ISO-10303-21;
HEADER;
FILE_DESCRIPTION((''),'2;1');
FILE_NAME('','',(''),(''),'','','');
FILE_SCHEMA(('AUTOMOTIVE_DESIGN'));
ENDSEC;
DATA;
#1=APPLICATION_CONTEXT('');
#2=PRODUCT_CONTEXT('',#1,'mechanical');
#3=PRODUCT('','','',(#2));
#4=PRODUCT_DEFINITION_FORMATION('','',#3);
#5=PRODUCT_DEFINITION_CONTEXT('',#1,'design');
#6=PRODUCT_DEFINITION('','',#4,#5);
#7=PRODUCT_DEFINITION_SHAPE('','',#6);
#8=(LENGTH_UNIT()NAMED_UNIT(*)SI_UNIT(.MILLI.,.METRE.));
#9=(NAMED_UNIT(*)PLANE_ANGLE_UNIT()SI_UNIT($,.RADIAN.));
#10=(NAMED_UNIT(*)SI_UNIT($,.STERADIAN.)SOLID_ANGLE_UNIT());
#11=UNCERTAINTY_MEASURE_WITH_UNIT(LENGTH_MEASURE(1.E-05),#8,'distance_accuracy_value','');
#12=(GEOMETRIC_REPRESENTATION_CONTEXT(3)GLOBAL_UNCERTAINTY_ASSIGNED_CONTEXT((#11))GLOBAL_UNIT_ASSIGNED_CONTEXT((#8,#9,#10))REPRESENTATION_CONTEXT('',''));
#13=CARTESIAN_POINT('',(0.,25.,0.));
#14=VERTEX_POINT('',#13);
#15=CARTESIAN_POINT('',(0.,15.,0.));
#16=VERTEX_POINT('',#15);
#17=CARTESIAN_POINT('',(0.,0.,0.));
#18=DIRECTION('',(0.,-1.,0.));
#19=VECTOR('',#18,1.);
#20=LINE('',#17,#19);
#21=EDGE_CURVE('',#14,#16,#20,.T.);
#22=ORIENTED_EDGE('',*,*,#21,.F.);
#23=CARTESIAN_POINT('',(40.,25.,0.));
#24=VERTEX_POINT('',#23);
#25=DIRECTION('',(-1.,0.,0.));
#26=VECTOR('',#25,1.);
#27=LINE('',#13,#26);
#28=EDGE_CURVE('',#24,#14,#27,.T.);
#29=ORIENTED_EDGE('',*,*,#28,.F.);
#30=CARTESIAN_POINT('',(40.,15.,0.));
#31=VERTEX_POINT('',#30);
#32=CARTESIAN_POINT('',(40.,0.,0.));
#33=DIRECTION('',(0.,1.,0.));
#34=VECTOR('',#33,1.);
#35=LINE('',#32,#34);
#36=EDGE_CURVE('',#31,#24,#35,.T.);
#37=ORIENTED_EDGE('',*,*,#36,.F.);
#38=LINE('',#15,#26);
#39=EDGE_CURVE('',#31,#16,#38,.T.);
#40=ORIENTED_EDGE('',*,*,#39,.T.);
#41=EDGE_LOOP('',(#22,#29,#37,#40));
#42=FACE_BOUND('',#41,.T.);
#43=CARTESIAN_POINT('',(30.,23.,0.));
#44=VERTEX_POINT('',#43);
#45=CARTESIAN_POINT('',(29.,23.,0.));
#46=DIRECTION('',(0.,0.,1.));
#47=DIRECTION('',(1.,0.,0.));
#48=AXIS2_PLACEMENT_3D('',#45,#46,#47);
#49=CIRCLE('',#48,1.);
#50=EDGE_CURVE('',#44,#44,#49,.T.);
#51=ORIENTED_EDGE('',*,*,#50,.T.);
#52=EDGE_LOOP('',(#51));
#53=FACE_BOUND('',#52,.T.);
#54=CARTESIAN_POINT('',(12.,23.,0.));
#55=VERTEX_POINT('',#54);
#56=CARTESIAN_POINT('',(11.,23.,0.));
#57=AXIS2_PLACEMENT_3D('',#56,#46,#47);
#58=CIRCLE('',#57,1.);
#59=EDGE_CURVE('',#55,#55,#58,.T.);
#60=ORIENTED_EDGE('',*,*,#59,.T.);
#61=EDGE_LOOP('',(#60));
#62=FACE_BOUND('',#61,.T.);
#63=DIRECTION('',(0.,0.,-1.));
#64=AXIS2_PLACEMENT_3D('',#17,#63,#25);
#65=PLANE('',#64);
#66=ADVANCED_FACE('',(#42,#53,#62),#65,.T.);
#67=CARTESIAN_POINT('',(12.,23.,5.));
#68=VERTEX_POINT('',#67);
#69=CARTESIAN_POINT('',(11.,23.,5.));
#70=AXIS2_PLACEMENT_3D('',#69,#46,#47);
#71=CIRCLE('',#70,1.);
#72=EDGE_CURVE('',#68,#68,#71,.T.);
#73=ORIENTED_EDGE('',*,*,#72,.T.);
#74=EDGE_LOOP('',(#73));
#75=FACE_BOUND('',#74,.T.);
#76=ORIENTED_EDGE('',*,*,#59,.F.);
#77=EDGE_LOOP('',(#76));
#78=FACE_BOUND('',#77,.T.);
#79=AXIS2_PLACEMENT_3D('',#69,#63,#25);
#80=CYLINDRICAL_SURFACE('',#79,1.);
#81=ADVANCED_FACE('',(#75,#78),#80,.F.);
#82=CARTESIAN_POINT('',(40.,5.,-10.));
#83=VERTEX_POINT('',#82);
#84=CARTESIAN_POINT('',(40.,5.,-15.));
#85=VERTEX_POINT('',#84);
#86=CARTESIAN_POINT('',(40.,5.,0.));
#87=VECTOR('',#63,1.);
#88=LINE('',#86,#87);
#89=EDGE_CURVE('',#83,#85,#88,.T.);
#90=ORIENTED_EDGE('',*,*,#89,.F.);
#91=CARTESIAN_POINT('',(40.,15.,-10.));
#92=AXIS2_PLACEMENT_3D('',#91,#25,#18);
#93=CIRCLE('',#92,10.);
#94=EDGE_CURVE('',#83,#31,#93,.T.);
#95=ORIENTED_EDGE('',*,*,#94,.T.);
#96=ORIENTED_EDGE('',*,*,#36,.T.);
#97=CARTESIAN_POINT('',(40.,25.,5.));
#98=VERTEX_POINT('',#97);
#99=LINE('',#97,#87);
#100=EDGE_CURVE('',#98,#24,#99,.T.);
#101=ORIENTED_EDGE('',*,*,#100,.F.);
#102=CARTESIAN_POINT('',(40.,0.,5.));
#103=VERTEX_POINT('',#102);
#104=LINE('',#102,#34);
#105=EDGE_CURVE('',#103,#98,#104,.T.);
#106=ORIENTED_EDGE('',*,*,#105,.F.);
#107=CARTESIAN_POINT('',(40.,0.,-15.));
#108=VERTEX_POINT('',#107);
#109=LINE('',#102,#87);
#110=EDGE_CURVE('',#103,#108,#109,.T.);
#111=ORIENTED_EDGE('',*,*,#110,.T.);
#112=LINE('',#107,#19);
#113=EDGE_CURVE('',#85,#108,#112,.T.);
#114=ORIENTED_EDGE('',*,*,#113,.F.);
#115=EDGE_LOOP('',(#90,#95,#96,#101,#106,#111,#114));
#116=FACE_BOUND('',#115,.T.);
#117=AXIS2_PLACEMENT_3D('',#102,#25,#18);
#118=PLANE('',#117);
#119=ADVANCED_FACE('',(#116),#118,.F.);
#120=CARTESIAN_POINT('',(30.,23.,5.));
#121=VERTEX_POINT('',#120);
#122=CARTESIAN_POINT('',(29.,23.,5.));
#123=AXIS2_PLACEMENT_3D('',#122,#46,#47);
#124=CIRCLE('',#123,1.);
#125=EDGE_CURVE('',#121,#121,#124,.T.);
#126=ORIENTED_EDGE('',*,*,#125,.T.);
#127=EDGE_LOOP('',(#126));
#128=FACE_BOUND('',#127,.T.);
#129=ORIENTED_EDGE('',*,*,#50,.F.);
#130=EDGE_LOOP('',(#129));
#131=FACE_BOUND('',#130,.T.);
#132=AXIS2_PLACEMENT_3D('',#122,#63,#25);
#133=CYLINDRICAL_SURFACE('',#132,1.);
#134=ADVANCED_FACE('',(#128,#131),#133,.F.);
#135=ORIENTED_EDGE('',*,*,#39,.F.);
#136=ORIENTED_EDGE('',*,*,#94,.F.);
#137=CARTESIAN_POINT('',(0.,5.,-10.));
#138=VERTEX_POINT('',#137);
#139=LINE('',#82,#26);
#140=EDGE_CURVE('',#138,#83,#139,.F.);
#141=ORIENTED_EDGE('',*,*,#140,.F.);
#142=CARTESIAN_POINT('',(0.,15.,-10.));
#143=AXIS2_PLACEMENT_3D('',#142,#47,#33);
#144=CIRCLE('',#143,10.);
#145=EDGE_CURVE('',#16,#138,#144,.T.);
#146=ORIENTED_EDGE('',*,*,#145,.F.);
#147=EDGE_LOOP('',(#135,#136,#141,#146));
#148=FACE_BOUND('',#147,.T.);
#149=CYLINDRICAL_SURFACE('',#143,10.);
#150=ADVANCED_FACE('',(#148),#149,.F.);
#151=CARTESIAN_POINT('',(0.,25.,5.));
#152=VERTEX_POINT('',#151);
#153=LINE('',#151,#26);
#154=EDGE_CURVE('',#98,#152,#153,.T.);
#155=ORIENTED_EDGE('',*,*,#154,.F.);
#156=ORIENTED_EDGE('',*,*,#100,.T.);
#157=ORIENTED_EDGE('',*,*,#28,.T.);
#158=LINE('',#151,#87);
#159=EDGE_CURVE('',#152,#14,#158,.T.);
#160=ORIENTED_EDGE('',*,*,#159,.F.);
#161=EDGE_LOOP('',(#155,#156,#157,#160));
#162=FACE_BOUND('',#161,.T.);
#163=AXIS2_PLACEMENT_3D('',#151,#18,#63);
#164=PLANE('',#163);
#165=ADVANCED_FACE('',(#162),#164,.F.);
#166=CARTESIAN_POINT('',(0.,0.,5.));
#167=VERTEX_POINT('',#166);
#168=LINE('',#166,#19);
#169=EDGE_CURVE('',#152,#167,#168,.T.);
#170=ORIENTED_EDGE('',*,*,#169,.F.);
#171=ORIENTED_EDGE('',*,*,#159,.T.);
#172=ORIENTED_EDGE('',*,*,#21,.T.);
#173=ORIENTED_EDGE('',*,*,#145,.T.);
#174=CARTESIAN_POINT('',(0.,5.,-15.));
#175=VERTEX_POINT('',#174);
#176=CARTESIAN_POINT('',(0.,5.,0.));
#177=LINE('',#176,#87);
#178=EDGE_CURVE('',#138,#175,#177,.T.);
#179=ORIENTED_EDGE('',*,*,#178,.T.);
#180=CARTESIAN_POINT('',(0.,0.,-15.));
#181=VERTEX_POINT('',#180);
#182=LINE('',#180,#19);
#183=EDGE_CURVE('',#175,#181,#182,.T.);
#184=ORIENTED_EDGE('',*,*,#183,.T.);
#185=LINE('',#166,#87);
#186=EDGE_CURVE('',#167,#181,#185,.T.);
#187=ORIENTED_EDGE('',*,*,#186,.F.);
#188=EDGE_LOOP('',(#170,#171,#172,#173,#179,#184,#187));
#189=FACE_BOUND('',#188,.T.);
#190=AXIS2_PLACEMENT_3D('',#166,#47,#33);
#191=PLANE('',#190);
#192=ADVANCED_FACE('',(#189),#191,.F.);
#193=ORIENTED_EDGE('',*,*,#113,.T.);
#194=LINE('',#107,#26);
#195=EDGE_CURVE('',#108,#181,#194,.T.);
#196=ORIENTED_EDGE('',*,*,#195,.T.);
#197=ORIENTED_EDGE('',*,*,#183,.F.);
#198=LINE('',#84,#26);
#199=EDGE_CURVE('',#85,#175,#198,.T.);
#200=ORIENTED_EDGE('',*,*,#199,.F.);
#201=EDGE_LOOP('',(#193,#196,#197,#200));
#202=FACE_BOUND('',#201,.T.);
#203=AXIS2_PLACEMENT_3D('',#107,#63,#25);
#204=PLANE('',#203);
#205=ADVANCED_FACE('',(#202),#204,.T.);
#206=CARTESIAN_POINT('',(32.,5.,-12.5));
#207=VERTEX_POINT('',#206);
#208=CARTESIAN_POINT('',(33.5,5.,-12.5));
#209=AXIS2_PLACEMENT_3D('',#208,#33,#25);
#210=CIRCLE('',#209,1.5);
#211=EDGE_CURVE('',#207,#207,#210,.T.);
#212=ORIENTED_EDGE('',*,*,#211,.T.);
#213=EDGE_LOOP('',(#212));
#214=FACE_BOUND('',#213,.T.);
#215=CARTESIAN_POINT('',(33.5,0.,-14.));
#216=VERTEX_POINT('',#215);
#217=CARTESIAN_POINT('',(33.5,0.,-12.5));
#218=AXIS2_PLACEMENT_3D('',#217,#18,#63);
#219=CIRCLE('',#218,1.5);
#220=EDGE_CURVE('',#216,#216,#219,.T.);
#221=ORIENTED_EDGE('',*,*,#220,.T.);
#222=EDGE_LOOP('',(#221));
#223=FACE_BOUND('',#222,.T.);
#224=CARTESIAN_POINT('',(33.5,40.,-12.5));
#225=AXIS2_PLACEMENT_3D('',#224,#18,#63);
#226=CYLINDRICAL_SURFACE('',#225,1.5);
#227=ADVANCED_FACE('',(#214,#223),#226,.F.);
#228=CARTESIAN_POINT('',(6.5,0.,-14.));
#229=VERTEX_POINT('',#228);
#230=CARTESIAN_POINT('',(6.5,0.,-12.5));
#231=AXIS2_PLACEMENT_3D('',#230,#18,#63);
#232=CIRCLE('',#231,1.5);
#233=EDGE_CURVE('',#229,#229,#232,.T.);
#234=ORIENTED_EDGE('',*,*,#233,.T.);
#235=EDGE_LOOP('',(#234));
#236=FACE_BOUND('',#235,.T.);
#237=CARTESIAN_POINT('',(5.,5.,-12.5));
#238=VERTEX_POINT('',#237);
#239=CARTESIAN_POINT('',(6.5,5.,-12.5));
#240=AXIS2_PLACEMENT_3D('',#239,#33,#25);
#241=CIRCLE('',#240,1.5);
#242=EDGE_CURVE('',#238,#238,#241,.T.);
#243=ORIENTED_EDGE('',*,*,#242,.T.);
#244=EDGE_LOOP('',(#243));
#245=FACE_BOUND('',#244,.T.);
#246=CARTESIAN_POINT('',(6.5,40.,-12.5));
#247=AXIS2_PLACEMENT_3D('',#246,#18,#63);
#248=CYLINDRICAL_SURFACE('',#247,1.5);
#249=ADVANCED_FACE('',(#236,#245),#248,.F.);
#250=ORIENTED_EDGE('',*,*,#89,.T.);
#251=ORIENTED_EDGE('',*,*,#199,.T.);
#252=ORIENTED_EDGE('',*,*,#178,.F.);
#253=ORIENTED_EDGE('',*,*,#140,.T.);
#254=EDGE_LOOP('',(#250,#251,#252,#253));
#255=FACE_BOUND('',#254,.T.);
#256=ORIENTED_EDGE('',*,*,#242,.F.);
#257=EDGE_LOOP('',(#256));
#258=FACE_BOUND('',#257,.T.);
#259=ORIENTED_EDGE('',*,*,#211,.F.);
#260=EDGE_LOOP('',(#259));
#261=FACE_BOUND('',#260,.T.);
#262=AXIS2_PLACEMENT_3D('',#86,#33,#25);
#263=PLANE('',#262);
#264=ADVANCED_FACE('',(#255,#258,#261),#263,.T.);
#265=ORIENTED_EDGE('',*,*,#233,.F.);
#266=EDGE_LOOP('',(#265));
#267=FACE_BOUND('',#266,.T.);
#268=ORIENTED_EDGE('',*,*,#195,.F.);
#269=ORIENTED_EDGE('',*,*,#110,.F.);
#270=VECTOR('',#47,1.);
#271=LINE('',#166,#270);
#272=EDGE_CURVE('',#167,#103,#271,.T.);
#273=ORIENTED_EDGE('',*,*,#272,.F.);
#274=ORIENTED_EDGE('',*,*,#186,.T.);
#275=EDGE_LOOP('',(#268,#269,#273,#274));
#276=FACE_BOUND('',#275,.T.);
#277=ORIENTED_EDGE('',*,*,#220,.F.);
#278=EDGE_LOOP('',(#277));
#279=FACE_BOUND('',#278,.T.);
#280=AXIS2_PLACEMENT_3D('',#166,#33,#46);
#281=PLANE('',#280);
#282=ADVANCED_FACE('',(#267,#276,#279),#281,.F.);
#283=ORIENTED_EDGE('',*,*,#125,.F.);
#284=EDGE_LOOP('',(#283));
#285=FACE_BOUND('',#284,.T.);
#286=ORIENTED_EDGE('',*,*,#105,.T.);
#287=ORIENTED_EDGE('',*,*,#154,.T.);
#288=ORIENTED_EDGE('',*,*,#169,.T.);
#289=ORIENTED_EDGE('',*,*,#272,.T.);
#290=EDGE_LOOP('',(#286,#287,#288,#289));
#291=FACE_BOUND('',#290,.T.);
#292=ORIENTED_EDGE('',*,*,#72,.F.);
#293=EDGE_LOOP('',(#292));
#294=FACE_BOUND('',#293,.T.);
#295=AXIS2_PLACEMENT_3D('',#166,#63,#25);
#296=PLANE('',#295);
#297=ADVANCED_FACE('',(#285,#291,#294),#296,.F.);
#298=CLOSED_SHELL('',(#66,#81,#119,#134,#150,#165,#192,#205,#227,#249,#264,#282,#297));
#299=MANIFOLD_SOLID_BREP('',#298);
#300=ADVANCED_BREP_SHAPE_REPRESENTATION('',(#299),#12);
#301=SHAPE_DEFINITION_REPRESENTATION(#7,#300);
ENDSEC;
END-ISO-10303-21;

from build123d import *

# Parameters (mm, degrees)
SKETCH1_W           = 40
SKETCH1_H           = 25
SKETCH1_R           = 1
BOSS_EXTRUDE1_DEPTH = 5
SKETCH2_W           = 15
SKETCH2_H           = 5
BOSS_EXTRUDE2_DEPTH = 40
FILLET2_R           = 10
SKETCH8_R           = 1.5
CUT_EXTRUDE1_DEPTH  = 40


with BuildPart() as part:
    # Sketch1 → Boss-Extrude1 (new body)
    with BuildSketch(Plane.XY):
        with Locations((20, 12.5)):
            Rectangle(SKETCH1_W, SKETCH1_H)
        with Locations((11, 23)):
            Circle(SKETCH1_R, mode=Mode.SUBTRACT)
        with Locations((29, 23)):
            Circle(SKETCH1_R, mode=Mode.SUBTRACT)
    extrude(amount=BOSS_EXTRUDE1_DEPTH)

    # Sketch2 → Boss-Extrude2 (add)
    with BuildSketch(Plane.ZY):
        with Locations((-7.5, 2.5)):
            Rectangle(SKETCH2_W, SKETCH2_H)
    extrude(amount=-BOSS_EXTRUDE2_DEPTH)

    # Fillet2
    fillet2_edges = [part.edges().sort_by_distance(p)[0] for p in [
        (20, 5, 0),
    ]]
    fillet(fillet2_edges, radius=FILLET2_R)

    # Sketch8 → Cut-Extrude1 (cut)
    with BuildSketch(Plane(origin=(0, 0, 0), x_dir=(-1, 0, 0), z_dir=(0, -1, 0))):
        with Locations((-6.5, 12.5)):
            Circle(SKETCH8_R)
        with Locations((-33.5, 12.5)):
            Circle(SKETCH8_R)
    extrude(amount=-CUT_EXTRUDE1_DEPTH, mode=Mode.SUBTRACT)


solid = part.part
